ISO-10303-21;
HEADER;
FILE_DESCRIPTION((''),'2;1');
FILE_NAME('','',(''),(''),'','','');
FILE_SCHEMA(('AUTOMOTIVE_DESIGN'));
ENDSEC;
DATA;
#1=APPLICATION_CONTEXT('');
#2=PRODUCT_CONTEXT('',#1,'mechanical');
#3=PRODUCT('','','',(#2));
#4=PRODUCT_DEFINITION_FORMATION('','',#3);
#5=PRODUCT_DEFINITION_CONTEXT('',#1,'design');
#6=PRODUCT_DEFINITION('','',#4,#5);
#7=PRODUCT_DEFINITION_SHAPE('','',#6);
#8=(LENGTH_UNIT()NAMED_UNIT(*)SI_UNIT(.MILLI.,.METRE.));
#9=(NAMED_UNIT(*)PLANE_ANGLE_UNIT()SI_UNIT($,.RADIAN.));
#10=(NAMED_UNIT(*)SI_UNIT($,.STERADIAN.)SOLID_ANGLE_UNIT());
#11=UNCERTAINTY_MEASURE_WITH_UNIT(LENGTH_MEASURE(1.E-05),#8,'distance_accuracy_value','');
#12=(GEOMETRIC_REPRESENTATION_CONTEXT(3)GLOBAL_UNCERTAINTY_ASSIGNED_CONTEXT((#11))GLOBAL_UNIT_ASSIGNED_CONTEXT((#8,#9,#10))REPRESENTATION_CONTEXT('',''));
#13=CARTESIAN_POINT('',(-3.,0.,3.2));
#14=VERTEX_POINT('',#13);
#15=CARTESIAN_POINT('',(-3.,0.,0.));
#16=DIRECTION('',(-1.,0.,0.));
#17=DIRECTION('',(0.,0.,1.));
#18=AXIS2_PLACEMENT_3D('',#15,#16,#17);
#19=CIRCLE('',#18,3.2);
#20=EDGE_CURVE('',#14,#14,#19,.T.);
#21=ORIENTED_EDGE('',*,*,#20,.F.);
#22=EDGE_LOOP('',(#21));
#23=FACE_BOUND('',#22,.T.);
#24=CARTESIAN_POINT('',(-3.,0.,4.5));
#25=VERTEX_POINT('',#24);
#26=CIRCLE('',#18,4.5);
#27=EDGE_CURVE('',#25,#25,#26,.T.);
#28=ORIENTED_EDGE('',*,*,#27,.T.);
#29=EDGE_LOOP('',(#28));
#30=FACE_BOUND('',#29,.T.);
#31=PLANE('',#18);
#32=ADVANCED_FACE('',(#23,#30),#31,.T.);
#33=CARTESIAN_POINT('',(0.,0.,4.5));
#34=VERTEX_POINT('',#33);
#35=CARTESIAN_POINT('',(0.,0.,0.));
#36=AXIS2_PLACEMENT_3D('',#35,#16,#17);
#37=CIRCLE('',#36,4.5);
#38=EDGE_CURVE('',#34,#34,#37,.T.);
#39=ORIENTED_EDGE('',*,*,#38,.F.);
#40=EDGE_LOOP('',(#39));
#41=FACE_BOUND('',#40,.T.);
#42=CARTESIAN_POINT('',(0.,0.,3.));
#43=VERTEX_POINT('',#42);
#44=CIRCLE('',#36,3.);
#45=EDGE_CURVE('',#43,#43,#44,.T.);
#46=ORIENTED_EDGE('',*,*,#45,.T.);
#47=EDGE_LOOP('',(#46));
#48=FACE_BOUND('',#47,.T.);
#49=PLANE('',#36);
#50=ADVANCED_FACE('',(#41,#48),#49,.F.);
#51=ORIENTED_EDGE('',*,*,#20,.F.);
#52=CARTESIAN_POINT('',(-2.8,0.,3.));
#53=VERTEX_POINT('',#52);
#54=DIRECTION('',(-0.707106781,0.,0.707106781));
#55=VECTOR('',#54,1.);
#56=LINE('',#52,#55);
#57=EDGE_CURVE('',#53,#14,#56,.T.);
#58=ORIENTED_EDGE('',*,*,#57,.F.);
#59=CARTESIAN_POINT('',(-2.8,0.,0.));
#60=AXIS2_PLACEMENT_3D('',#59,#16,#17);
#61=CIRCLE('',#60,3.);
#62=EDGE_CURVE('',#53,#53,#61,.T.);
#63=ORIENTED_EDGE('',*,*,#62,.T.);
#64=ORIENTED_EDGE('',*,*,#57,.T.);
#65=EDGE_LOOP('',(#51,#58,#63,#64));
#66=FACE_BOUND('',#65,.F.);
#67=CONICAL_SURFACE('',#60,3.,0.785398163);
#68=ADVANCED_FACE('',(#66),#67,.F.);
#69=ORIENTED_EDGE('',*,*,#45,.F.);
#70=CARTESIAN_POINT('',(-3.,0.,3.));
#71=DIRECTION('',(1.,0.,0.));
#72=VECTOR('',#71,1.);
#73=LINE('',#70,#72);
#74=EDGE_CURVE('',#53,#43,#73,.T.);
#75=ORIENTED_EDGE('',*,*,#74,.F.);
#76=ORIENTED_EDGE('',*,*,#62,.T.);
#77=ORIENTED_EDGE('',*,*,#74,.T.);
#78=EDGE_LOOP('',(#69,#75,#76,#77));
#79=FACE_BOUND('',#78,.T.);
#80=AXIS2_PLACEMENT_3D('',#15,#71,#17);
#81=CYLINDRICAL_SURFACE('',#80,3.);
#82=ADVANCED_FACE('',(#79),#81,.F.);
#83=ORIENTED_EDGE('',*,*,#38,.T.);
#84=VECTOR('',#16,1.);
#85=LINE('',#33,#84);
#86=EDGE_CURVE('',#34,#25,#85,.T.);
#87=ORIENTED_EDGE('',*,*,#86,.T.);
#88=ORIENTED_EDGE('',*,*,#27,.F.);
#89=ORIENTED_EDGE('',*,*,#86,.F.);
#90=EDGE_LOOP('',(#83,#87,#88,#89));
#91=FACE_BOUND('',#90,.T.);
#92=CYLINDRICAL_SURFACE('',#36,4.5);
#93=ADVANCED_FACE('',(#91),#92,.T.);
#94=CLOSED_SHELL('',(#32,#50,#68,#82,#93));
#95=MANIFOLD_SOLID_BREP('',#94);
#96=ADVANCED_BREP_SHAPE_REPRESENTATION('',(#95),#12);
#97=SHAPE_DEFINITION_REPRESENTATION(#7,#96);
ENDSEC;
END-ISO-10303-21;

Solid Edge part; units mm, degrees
sketch "Sketch1" plane through (0, 0, 0) normal (0, -1, 0) x (1, 0, 0)
  line L0 (-3, 3) -> (0, 3)
  line L1 (0, 3) -> (0, 4.5)
  line L2 (0, 4.5) -> (-3, 4.5)
  line L3 (-3, 4.5) -> (-3, 3)
revolve "RevolvedProtrusion1" add sketch "Sketch1" angle 360 about axis through (0, 0, 0) along (-1, 0, 0)
chamfer "Chamfer1" distance 0.2 angle 45 1 edges at (-3, 0, -3)
